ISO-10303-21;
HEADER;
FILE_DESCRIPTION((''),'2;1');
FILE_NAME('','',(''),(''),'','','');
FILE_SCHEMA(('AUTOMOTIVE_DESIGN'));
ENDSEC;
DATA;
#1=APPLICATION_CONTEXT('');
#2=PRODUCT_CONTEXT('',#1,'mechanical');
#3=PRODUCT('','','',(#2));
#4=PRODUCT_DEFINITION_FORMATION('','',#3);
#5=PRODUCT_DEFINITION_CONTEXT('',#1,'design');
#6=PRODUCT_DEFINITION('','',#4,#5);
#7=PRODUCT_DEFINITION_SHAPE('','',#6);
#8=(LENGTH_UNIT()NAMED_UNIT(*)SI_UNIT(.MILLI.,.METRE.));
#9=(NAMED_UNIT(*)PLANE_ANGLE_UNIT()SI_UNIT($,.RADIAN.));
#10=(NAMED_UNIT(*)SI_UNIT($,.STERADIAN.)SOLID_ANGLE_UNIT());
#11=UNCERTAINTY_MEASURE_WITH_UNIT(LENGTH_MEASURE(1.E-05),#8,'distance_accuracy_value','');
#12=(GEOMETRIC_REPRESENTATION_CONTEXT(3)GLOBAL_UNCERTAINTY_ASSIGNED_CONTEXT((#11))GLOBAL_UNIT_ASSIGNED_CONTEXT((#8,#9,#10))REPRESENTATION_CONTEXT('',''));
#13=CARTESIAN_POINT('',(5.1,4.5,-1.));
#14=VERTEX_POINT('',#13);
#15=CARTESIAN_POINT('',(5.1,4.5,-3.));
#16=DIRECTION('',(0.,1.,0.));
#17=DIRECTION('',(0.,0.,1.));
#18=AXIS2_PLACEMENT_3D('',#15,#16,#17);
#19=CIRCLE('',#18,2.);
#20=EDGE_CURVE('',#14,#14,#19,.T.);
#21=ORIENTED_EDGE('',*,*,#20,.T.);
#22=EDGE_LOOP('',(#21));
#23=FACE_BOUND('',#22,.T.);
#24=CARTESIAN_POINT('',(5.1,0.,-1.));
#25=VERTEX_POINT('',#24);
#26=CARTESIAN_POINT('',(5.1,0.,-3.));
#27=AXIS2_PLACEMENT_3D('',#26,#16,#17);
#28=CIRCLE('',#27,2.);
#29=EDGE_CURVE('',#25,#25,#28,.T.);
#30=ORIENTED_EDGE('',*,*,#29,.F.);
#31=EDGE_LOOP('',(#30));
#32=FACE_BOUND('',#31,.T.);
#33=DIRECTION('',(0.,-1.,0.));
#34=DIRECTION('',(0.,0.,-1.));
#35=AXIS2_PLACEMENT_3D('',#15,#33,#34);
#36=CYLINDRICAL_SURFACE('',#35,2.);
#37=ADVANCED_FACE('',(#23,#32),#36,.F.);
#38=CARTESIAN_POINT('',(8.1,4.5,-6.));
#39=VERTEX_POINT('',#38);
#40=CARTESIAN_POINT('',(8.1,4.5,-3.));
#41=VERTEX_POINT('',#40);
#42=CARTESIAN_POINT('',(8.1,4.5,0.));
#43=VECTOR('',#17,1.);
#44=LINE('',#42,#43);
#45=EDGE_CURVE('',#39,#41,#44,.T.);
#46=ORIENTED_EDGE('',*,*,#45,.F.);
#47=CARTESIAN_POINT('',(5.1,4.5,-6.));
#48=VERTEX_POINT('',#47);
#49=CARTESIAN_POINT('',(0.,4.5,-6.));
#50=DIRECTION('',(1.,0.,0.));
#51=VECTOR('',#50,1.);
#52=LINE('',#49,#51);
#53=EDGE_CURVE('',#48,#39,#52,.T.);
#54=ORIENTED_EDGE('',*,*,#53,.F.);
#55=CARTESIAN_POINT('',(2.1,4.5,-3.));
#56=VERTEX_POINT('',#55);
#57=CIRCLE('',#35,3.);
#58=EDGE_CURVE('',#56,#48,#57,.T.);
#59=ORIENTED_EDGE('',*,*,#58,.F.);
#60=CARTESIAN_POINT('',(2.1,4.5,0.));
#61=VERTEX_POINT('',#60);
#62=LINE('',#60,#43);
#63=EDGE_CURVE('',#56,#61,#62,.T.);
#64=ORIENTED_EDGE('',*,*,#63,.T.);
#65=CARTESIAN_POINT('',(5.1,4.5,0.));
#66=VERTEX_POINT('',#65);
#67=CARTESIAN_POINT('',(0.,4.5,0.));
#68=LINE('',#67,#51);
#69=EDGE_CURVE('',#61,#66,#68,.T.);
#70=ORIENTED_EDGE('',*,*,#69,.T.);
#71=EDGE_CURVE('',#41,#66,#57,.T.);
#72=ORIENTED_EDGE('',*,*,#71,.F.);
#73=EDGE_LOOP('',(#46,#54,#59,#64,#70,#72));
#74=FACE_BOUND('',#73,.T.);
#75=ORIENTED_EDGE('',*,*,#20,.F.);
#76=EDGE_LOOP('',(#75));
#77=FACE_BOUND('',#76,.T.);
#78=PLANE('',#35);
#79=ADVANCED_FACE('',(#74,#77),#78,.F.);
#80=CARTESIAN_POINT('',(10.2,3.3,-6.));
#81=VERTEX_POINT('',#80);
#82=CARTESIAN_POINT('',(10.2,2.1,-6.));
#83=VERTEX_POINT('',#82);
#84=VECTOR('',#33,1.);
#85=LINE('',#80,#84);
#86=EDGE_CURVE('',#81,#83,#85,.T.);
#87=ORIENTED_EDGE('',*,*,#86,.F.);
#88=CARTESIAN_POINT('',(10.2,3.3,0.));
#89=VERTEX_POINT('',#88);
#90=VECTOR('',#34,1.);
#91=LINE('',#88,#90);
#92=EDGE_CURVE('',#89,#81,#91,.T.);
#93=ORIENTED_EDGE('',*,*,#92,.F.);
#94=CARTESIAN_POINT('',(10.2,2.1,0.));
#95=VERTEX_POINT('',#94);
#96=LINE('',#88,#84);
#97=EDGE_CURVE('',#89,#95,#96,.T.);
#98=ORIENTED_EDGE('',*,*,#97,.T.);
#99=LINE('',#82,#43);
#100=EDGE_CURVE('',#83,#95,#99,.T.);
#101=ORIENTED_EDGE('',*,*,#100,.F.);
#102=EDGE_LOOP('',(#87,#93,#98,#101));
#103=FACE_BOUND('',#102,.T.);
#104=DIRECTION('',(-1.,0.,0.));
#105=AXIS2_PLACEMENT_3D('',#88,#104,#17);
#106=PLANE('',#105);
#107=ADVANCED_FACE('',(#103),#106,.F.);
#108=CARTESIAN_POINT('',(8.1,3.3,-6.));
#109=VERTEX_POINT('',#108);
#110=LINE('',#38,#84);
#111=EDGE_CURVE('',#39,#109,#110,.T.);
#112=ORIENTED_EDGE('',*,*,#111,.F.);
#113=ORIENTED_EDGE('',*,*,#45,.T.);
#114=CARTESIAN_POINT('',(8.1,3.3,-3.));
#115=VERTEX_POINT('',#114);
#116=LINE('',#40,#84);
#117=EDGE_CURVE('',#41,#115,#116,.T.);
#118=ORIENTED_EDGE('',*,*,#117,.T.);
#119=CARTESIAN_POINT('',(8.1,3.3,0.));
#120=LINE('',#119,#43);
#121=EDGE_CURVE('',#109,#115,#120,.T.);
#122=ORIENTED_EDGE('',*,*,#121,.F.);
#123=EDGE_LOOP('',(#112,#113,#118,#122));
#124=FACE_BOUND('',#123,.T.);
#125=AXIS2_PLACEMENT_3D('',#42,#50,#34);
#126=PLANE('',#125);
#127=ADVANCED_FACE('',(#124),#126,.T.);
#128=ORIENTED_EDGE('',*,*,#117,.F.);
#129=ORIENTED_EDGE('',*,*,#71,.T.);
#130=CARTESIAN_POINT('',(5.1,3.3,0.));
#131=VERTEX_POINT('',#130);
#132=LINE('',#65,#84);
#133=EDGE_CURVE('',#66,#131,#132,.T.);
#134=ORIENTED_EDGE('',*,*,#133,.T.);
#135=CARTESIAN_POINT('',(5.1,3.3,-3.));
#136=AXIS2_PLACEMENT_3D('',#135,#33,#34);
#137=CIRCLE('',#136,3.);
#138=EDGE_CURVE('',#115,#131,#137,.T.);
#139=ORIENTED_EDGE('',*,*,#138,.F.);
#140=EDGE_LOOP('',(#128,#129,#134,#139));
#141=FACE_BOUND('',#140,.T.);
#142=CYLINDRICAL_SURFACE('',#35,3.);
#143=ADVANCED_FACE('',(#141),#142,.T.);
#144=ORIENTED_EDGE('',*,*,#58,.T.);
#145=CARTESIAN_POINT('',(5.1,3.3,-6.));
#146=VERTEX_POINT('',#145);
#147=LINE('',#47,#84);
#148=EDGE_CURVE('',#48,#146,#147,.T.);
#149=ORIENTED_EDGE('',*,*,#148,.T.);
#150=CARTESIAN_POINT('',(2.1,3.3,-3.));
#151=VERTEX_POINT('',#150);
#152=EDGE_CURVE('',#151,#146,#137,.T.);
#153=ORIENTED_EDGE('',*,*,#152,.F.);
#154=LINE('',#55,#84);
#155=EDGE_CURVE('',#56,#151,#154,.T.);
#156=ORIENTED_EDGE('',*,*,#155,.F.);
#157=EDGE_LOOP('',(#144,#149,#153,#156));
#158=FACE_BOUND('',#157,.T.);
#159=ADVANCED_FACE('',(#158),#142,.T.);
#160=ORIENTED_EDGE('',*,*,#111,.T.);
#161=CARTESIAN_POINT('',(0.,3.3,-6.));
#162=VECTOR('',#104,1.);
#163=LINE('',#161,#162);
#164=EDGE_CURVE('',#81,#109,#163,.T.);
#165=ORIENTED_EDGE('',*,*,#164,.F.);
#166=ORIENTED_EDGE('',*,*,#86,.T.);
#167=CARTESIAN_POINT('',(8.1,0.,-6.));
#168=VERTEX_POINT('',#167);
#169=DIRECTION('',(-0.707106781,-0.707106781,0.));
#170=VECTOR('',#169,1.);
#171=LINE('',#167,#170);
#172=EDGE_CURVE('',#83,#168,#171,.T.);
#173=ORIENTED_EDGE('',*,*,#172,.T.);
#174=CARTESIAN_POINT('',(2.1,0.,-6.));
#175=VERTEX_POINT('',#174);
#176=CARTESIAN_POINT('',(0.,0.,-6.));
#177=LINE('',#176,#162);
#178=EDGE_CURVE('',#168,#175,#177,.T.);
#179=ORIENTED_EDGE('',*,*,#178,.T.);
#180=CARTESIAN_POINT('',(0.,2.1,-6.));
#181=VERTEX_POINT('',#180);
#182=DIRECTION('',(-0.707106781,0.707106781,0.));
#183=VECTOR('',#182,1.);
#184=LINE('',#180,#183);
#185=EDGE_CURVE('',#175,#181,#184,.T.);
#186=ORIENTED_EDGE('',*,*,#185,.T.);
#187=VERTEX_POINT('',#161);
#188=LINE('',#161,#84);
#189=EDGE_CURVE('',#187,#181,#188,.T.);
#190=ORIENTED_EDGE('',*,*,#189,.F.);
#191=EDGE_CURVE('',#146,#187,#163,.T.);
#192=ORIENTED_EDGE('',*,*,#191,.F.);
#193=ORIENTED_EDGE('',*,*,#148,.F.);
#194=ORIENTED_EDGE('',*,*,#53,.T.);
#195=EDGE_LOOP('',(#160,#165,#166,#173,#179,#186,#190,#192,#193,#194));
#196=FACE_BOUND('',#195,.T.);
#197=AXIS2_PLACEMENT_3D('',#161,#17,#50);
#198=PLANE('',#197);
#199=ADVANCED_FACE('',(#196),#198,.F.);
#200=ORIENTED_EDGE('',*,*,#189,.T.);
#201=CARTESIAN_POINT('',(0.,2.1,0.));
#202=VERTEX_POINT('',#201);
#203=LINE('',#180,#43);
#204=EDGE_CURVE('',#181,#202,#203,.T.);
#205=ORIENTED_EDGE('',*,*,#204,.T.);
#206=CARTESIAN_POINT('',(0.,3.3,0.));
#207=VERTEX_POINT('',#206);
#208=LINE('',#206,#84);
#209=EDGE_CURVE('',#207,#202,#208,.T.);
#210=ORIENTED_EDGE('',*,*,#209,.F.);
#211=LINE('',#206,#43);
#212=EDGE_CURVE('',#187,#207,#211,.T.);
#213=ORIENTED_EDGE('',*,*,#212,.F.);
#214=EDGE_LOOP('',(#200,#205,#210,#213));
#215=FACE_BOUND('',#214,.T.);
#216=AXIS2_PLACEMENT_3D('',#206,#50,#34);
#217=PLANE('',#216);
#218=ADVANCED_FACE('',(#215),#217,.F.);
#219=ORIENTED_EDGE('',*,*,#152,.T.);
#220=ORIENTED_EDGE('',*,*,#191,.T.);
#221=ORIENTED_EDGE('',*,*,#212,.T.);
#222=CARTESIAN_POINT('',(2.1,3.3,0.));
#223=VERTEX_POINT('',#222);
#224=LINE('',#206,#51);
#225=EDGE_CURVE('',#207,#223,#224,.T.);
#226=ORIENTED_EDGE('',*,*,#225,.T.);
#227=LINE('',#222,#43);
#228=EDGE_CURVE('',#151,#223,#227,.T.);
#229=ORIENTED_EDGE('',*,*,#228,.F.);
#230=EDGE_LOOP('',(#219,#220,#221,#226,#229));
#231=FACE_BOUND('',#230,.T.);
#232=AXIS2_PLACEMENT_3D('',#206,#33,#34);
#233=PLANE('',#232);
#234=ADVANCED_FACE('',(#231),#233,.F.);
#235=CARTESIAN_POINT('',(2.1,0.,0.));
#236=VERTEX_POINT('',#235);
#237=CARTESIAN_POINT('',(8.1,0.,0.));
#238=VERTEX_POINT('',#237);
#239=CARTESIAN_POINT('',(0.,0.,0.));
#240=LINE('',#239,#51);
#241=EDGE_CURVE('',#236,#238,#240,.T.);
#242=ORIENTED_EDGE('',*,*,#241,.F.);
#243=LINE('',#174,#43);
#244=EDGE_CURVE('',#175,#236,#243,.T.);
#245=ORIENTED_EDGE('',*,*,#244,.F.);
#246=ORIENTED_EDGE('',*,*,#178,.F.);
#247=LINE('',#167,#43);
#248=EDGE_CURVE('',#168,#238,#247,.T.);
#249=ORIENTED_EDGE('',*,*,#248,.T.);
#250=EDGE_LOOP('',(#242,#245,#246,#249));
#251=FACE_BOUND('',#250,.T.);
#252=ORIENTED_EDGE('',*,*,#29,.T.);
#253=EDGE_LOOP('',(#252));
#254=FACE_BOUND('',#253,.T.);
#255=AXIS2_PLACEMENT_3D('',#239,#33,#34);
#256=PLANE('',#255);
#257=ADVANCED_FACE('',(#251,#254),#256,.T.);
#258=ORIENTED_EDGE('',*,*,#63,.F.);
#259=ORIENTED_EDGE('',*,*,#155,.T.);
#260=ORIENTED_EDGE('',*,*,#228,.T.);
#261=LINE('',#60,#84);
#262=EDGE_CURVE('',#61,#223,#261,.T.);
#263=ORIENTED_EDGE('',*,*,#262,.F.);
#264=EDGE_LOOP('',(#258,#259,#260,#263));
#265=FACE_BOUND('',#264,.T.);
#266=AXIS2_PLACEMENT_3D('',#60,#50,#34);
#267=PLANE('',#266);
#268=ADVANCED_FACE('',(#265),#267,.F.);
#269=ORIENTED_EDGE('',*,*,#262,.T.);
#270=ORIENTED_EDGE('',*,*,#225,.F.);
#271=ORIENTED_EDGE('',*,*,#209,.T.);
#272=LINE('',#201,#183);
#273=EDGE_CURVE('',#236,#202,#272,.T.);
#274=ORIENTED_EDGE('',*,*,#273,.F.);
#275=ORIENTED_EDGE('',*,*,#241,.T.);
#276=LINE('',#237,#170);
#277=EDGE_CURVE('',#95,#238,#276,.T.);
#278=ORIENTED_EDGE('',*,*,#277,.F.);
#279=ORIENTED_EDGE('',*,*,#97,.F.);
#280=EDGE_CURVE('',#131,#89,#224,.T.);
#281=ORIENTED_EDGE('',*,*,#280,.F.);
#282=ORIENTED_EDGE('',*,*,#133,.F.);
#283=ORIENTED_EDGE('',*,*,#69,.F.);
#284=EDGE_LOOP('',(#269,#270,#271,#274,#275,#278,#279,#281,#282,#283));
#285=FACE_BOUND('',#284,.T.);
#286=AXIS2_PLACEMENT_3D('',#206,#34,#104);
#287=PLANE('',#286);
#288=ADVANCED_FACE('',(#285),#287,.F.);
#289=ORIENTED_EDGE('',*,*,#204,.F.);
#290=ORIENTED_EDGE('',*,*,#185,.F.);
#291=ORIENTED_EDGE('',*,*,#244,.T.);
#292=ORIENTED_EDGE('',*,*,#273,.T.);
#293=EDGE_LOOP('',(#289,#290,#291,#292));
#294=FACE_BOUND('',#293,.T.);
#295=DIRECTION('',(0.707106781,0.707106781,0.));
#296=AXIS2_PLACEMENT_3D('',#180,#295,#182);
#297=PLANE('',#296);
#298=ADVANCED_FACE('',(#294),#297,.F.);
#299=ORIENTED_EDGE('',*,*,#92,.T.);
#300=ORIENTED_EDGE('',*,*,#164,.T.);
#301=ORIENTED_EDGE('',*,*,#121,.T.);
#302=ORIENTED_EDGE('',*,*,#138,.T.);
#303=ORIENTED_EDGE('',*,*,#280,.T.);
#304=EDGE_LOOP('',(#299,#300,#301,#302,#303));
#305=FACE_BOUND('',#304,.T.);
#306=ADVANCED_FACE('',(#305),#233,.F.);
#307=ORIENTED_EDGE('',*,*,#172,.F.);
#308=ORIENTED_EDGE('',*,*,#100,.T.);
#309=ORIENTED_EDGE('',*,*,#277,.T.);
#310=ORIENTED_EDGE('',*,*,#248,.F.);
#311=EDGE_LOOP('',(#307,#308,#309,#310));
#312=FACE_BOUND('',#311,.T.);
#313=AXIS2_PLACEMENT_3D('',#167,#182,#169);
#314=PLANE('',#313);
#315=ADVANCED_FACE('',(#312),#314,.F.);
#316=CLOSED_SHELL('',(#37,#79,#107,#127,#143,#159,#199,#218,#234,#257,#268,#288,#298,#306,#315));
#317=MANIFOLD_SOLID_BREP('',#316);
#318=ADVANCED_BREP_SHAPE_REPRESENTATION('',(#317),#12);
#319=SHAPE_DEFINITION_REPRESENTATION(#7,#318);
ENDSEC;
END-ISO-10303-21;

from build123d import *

# Parameters (mm, degrees)
SKETCH_1_W          = 10.2
SKETCH_1_H          = 6
EXTRUDE_1_DEPTH     = 3.3
EXTRUDE_START       = 3.3
EXTRUDE_2_DEPTH     = 1.2
CUT_EXTRUDE_2_DEPTH = 13.660568708
SKETCH_2_5_R        = 2
CUT_EXTRUDE_4_DEPTH = 13.660568708


with BuildPart() as part:
    # 草图1 → 凸台-拉伸1 (new body)
    with BuildSketch(Plane(origin=(0, 0, 0), x_dir=(1, 0, 0), z_dir=(0, 1, 0))):
        with Locations((5.1, 3)):
            Rectangle(SKETCH_1_W, SKETCH_1_H)
    extrude(amount=EXTRUDE_1_DEPTH)

    # 草图2 → 凸台-拉伸2 (add)
    with BuildSketch(Plane(origin=(0, 0, 0), x_dir=(1, 0, 0), z_dir=(0, 1, 0)).offset(EXTRUDE_START)):
        with BuildLine():
            Line((2.1, 3), (2.1, 0))
            Line((2.1, 0), (5.1, 0))
            ThreePointArc((5.1, 0), (7.221320344, 0.878679656), (8.1, 3))
            Line((8.1, 3), (8.1, 6))
            Line((8.1, 6), (5.1, 6))
            ThreePointArc((5.1, 6), (2.978679656, 5.121320344), (2.1, 3))
        make_face()
    extrude(amount=EXTRUDE_2_DEPTH)

    # 草图3 → 切除-拉伸2 (cut, through all)
    with BuildSketch(Plane.XY):
        Polygon((0, 2.1), (2.1, 0), (0, 0), align=None)
        Polygon((8.1, 0), (10.2, 2.1), (10.2, 0), align=None)
    extrude(amount=-CUT_EXTRUDE_2_DEPTH, mode=Mode.SUBTRACT)

    # 草图2<5> → 切除-拉伸4 (cut, through all)
    with BuildSketch(Plane(origin=(0, 0, 0), x_dir=(1, 0, 0), z_dir=(0, 1, 0))):
        with Locations(Location((5.1, 3, 0), (0, 0, 270))):
            Circle(SKETCH_2_5_R)
    extrude(amount=CUT_EXTRUDE_4_DEPTH, mode=Mode.SUBTRACT)


solid = part.part
